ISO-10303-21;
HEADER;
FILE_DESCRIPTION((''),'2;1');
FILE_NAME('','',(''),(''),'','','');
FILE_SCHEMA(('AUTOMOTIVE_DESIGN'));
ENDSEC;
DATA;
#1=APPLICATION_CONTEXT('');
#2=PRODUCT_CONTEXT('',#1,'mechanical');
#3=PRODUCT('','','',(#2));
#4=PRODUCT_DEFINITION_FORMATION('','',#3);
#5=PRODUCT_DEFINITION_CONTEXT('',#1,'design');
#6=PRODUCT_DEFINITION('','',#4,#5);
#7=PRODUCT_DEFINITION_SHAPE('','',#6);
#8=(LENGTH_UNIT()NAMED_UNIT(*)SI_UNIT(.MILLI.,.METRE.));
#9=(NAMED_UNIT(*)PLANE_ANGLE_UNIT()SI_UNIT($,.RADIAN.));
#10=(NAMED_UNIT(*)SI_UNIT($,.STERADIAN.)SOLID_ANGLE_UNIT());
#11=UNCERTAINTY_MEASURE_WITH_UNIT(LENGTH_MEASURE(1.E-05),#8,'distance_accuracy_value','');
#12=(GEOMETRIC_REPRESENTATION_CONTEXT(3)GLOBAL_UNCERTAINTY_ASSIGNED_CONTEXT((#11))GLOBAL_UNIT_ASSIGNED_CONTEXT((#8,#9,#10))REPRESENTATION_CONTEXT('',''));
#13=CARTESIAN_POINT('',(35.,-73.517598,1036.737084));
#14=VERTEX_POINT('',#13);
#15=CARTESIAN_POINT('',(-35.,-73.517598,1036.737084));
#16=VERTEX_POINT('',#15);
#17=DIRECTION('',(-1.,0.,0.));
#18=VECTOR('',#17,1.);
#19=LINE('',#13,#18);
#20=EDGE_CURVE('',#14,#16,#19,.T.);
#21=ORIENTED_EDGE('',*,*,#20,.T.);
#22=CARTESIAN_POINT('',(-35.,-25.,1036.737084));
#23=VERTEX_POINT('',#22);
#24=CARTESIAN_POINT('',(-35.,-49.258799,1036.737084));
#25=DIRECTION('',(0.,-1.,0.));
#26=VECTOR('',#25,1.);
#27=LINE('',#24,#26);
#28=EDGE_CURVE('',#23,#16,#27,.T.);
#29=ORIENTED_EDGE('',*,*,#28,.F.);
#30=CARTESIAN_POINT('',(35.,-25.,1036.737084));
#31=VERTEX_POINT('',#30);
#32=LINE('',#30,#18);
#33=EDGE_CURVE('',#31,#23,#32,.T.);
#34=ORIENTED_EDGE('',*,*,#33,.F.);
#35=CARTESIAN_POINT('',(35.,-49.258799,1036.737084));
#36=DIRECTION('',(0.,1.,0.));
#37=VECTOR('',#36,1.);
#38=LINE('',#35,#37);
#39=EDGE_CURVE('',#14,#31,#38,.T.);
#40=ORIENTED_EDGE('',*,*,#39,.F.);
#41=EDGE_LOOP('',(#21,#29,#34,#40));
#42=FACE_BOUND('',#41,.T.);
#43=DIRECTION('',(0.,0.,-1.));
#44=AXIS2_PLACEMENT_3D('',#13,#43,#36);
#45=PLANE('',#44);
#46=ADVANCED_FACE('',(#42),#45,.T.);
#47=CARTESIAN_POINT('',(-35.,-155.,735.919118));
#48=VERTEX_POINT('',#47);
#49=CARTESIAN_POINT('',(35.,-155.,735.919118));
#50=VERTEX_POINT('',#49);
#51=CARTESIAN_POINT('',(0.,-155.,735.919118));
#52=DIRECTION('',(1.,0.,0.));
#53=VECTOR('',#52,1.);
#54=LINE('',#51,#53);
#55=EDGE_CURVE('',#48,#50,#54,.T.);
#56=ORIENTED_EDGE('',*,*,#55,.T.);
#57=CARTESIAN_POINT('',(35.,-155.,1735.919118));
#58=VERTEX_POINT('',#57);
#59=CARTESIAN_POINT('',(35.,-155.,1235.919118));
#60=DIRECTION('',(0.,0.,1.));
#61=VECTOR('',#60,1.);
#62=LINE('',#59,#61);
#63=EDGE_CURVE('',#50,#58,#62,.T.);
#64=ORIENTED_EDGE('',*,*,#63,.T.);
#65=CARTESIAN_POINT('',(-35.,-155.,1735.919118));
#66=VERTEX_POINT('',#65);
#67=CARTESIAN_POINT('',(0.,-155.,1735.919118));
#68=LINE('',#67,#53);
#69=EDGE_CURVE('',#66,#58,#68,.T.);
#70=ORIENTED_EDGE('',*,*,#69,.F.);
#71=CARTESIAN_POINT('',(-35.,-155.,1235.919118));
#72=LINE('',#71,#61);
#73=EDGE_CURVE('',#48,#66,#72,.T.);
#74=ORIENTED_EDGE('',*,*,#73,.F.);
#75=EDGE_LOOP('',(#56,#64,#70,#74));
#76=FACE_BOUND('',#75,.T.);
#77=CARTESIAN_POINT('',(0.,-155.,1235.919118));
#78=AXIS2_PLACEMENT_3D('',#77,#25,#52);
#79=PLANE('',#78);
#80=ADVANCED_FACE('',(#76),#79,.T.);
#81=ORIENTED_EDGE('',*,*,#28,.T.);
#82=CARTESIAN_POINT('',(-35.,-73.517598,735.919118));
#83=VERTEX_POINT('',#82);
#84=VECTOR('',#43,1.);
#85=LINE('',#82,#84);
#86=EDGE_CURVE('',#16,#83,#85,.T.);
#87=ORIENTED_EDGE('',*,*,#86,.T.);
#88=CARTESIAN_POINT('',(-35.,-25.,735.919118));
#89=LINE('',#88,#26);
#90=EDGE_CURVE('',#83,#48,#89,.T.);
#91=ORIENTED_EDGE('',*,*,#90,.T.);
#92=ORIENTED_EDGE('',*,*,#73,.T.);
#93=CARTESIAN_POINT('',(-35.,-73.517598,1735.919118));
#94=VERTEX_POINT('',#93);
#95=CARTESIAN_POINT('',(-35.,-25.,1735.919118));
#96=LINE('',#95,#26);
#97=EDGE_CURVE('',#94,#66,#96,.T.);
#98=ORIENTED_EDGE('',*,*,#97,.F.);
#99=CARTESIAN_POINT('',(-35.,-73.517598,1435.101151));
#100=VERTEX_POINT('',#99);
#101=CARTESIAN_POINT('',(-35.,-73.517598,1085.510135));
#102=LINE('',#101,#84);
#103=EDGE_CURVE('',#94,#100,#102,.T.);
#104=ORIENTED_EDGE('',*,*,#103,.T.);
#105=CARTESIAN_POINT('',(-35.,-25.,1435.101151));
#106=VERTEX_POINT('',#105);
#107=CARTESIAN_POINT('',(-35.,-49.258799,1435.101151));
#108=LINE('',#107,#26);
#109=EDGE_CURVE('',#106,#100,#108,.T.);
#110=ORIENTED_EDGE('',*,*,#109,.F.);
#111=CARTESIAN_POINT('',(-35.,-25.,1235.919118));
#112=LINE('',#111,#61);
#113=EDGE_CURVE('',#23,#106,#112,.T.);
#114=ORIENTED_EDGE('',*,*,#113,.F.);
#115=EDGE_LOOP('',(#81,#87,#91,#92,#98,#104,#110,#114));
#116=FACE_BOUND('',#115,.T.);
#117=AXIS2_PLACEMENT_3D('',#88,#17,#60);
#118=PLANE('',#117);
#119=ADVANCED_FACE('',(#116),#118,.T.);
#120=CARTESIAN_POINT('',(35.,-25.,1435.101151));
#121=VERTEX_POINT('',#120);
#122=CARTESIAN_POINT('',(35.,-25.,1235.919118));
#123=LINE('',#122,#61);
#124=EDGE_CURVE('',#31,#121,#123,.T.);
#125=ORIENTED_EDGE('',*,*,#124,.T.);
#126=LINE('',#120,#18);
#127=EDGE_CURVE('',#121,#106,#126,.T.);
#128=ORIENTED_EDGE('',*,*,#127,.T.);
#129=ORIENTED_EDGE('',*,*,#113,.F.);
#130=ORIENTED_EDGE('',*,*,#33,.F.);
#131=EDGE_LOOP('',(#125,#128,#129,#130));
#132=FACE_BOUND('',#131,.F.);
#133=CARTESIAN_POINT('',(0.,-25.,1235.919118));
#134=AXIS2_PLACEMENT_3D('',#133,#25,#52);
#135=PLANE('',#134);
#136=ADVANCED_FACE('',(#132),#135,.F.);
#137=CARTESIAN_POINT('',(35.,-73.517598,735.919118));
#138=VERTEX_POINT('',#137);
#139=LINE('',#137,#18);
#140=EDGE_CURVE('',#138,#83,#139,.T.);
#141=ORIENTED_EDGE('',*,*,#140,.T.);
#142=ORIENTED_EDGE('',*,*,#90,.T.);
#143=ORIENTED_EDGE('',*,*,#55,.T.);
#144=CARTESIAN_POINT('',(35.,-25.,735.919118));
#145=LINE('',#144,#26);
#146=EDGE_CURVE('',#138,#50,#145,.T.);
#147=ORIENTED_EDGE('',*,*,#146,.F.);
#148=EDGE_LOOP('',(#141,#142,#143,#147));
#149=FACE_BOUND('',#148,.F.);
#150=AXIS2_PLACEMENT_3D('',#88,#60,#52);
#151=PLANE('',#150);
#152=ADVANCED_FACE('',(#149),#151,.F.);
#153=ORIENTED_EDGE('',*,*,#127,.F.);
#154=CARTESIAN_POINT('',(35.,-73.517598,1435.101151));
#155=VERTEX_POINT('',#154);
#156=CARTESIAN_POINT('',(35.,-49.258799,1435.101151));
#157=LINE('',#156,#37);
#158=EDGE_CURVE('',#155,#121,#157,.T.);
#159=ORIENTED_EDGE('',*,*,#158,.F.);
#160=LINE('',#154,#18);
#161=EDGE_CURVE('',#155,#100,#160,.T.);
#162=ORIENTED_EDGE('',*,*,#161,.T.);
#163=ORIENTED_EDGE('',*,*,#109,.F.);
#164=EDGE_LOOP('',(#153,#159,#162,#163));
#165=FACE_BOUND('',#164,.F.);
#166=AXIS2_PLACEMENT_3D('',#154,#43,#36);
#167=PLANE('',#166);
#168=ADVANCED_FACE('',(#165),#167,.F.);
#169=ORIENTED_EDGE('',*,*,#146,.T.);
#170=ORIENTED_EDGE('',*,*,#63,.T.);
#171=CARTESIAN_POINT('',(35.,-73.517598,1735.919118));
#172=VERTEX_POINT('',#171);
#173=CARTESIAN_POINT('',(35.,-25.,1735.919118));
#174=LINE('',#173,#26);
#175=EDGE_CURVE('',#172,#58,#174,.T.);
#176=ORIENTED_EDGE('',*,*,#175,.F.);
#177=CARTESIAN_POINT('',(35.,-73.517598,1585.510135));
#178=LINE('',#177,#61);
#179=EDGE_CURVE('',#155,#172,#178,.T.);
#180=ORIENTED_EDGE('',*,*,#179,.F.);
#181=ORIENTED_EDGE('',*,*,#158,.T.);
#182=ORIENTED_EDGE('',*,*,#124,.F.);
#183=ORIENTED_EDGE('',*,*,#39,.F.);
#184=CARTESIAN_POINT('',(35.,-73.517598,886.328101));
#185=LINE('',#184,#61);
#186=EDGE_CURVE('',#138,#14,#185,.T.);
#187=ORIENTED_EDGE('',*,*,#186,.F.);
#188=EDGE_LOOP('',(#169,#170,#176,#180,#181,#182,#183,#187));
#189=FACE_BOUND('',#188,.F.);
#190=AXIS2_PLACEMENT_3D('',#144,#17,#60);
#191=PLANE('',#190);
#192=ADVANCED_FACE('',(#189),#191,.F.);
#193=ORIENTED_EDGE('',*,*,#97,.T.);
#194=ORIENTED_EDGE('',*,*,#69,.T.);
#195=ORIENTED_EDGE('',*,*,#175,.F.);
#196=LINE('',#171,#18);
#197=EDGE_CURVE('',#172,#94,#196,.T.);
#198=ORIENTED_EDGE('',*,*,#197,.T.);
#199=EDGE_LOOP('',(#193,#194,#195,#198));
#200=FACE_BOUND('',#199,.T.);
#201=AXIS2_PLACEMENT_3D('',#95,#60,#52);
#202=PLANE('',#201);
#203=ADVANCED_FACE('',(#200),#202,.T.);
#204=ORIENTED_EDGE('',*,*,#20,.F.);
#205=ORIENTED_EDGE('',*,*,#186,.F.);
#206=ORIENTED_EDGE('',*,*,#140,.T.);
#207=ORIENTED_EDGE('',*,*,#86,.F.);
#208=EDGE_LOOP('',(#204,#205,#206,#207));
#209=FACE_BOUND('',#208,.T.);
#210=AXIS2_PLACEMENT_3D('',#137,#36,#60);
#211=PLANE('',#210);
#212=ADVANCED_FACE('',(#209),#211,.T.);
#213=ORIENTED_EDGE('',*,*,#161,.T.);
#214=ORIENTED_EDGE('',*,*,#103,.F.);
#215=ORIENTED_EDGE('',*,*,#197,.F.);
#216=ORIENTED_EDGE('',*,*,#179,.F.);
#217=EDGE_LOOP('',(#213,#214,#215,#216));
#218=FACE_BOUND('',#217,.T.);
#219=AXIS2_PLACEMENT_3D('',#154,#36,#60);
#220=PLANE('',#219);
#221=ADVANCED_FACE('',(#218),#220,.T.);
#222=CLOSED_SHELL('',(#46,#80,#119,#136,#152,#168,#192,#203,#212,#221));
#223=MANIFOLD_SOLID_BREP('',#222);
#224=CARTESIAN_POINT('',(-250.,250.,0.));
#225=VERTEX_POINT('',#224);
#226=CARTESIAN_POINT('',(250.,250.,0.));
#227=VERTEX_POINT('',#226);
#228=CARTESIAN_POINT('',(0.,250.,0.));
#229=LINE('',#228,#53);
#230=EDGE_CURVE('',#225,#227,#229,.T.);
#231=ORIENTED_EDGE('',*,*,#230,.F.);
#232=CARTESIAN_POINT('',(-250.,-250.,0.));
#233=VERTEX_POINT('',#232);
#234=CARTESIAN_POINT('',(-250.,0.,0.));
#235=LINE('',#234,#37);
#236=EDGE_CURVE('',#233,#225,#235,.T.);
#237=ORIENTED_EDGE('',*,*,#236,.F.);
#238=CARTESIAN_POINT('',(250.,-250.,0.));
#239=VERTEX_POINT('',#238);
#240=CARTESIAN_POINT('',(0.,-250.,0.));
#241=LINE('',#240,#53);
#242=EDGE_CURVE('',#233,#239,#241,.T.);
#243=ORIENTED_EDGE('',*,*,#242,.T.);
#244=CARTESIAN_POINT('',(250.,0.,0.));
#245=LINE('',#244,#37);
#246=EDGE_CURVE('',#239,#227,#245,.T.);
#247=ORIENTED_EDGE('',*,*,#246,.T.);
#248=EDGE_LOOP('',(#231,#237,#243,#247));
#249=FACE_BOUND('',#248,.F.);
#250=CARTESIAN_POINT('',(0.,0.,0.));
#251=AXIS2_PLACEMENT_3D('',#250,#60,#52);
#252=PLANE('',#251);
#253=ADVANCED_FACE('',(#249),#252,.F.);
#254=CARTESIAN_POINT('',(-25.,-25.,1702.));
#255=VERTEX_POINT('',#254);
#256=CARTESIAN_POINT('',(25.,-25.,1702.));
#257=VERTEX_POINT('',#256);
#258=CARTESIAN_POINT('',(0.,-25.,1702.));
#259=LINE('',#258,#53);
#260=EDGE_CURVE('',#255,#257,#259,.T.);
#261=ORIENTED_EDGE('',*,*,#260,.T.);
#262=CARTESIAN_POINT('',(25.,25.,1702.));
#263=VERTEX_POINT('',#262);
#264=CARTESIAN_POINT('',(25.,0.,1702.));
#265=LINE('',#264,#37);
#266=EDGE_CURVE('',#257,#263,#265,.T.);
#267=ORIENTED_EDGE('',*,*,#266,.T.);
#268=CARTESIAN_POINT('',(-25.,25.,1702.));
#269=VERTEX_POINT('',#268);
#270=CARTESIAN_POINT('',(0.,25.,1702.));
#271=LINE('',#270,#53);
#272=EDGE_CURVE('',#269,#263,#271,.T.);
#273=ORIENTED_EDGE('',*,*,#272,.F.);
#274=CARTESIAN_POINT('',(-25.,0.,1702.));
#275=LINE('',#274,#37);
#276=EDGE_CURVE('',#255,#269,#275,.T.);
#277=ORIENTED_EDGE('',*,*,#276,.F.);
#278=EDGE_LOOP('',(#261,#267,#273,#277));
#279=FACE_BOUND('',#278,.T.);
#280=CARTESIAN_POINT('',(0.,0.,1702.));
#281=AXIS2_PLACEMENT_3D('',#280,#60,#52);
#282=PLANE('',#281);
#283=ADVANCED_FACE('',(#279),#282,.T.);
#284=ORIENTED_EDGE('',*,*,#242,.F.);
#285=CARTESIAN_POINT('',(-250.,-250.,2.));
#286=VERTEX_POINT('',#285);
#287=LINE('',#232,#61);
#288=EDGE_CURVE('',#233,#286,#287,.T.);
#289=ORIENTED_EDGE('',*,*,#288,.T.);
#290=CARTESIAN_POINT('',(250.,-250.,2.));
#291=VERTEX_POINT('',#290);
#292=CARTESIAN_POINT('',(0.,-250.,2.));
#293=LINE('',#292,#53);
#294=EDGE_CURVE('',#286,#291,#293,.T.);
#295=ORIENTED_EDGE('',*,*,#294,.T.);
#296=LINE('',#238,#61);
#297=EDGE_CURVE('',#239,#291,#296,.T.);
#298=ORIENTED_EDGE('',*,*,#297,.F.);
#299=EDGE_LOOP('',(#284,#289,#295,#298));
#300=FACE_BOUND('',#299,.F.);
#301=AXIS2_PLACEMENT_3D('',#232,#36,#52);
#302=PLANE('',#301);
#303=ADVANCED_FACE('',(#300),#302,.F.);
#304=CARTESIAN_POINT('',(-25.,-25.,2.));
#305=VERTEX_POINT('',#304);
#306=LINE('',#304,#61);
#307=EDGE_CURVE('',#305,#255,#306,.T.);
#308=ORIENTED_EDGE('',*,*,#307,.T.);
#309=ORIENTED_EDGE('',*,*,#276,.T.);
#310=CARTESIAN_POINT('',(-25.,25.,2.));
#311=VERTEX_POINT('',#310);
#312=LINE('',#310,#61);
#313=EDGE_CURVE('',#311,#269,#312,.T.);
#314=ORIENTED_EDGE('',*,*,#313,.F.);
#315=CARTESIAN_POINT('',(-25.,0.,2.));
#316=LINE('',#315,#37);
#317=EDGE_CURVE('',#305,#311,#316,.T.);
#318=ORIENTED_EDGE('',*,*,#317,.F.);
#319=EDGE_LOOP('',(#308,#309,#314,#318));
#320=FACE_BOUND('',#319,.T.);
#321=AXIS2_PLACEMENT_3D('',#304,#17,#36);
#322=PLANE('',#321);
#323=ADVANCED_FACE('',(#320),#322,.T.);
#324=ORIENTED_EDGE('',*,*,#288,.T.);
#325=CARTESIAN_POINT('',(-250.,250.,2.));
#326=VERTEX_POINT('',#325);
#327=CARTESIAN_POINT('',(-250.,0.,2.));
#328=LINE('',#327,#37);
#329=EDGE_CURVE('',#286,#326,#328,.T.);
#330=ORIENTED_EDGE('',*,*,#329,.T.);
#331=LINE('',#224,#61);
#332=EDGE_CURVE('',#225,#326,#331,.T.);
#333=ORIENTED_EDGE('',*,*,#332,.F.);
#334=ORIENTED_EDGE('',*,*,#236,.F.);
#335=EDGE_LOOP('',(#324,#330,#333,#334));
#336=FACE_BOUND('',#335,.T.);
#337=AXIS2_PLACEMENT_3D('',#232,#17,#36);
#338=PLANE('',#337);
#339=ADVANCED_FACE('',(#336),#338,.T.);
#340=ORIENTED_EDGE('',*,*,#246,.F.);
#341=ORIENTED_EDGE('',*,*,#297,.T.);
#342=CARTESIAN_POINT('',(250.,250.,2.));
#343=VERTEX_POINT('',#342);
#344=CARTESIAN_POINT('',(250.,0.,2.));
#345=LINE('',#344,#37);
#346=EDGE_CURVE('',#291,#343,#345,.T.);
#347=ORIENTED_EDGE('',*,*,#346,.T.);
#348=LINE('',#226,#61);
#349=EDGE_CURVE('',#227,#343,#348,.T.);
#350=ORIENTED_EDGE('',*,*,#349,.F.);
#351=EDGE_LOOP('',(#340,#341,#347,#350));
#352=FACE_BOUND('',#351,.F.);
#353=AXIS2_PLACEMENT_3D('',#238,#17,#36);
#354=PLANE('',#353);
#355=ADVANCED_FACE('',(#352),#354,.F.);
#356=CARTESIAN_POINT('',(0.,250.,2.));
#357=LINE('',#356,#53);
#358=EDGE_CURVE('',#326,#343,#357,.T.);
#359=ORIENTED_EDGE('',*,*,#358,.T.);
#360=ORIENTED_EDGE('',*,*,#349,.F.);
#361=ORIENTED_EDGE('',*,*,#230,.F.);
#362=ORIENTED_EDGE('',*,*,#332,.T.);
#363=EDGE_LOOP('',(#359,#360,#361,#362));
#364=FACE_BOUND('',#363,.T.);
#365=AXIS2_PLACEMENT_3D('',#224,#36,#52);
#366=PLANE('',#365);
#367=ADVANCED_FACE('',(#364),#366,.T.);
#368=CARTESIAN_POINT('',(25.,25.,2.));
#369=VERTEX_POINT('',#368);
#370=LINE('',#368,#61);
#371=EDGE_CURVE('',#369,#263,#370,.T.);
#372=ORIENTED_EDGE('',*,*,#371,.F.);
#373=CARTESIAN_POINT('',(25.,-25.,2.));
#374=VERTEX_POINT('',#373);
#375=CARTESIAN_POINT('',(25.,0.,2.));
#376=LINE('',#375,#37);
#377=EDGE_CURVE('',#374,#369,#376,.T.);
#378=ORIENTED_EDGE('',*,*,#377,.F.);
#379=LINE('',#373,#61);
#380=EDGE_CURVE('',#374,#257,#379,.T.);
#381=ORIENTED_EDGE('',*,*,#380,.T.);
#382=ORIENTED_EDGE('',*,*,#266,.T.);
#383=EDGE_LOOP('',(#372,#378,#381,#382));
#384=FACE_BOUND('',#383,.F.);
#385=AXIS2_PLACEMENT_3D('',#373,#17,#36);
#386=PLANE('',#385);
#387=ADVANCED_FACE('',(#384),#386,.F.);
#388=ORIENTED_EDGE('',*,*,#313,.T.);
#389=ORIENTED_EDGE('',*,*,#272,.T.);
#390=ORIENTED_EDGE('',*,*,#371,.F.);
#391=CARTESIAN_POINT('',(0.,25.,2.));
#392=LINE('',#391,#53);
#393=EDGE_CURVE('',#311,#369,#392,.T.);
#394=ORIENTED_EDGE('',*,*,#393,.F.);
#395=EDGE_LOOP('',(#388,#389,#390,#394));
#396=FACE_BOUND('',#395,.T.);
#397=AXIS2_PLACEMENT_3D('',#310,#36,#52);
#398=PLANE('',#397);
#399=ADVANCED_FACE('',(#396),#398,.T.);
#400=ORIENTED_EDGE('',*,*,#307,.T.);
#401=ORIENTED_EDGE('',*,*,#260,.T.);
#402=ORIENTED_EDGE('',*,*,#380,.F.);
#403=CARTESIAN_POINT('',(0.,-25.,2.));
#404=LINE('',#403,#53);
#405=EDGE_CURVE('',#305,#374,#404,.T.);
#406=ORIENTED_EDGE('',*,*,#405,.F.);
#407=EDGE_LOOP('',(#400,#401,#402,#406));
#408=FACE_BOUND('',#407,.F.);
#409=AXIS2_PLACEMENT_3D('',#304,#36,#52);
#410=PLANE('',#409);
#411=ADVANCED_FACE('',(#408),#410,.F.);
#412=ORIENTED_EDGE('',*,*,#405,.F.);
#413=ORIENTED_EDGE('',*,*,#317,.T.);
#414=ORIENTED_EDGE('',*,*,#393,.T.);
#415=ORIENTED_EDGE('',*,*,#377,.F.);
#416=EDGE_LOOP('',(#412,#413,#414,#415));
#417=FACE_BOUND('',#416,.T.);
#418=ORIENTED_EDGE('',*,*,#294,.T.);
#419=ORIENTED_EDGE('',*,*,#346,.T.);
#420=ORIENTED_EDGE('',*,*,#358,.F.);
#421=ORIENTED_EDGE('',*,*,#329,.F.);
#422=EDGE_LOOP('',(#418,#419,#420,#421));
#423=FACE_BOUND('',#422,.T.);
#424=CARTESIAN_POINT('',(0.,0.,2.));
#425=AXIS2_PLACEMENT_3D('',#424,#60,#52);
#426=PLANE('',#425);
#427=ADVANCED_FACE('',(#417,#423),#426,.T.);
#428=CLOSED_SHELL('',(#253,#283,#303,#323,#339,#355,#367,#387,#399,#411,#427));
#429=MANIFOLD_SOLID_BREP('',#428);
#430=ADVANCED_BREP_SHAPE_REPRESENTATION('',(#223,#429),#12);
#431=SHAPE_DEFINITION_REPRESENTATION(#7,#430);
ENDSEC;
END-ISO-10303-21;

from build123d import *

# Parameters (mm, degrees)
F0_W     = 500
F0_H     = 500
F1_DEPTH = 2
F2_W     = 50
F2_H     = 50
F3_DEPTH = 1700
F4_W     = 70
F4_H     = 1000
F5_DEPTH = 130
F6_W     = 48.5175982118
F6_H     = 300.8179664612
F7_DEPTH = 285.001


with BuildPart() as f1:
    # F0 (on Top) → F1 (new body)
    with BuildSketch(Plane.XY):
        Rectangle(F0_W, F0_H)
    extrude(amount=F1_DEPTH)

    # F2 (on face) → F3 (join)
    with BuildSketch(Plane.XY.offset(2)):
        Rectangle(F2_W, F2_H)
    extrude(amount=F3_DEPTH)


with BuildPart() as f5:
    # F4 (on face) → F5 (new body)
    with BuildSketch(Plane.XZ.offset(25)):
        with Locations((0, 1235.9191179276)):
            Rectangle(F4_W, F4_H)
    extrude(amount=F5_DEPTH)

    # F6 (on face) → F7 (cut, through all)
    with BuildSketch(Plane.YZ.offset(35)):
        with Locations((-49.2587991059, 1585.510134697)):
            Rectangle(F6_W, F6_H)
        with Locations((-49.2587991059, 886.3281011581)):
            Rectangle(F6_W, F6_H)
    extrude(amount=-F7_DEPTH, mode=Mode.SUBTRACT)


solid = Compound([f1.part, f5.part])
